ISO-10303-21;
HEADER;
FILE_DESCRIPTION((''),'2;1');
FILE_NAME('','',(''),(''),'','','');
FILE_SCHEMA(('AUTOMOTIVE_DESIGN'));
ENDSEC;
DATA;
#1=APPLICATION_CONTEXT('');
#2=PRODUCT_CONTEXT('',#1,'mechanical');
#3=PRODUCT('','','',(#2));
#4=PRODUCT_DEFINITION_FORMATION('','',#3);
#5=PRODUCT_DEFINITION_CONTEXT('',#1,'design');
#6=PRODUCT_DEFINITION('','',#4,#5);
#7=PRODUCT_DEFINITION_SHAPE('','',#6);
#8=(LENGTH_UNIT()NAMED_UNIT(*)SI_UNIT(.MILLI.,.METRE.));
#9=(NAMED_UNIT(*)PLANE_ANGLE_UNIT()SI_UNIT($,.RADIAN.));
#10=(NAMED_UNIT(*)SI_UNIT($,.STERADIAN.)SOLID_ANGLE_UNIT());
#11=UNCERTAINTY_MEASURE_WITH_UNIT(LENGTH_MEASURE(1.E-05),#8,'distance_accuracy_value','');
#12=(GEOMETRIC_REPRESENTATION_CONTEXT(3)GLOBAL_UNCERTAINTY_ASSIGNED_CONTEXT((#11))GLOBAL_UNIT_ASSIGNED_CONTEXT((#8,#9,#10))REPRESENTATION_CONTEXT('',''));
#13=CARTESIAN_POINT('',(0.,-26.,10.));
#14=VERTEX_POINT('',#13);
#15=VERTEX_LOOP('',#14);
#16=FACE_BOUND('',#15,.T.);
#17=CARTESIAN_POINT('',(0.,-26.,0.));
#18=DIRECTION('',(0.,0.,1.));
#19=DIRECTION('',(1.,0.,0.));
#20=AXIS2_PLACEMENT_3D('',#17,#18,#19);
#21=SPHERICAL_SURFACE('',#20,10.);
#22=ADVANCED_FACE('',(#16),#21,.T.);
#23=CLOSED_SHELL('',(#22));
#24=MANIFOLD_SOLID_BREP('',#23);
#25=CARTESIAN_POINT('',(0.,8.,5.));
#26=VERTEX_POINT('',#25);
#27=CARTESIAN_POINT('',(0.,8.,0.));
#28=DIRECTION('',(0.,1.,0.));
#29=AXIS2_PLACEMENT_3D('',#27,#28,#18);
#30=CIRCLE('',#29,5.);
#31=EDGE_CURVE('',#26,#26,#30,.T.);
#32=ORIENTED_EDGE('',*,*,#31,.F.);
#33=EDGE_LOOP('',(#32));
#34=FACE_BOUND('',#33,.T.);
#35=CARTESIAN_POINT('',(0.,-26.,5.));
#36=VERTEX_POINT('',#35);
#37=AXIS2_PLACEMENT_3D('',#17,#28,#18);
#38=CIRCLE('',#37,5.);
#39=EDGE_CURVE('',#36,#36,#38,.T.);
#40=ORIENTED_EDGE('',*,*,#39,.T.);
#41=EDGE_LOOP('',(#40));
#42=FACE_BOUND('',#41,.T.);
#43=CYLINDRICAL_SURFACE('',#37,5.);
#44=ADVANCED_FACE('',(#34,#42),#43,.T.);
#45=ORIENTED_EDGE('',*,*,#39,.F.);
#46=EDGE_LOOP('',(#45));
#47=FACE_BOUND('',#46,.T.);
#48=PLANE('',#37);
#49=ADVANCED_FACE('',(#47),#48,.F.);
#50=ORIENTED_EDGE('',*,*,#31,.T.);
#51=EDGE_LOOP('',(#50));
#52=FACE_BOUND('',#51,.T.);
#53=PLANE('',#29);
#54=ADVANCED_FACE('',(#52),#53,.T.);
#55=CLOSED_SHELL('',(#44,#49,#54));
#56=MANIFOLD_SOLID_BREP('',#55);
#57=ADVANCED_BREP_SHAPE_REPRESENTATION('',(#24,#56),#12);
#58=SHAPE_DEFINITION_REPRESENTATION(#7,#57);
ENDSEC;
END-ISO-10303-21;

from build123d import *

# Parameters (mm, degrees)
BOSS_EXTRUDE1_DEPTH = 8
SKETCH2_R           = 5
CUT_EXTRUDE1_DEPTH  = 107
CIRPATTERN1_COUNT   = 3
SKETCH6_R           = 5
BOSS_EXTRUDE3_DEPTH = 34
CUT_EXTRUDE2_START  = -10
SKETCH9_R           = 54.22089026
SKETCH9_R_2         = 5
CUT_EXTRUDE2_DEPTH  = 10


with BuildPart() as part:
    # Sketch1 → Boss-Extrude1 (new body)
    with BuildSketch(Plane(origin=(0, 0, 0), x_dir=(1, 0, 0), z_dir=(0, 1, 0))):
        Polygon((-11.547005384, 40), (-40.414518843, -10), (-28.867513459, -30), (28.867513459, -30), (40.414518843, -10), (11.547005384, 40), align=None)
    extrude(amount=BOSS_EXTRUDE1_DEPTH)

    # Sketch2 → Cut-Extrude1 (cut)
    with BuildSketch(Plane(origin=(0, 8, 0), x_dir=(1, 0, 0), z_dir=(0, 1, 0))):
        with Locations(Location((0, 0, 0), (0, 0, 270))):
            Circle(SKETCH2_R)
    extrude(amount=-CUT_EXTRUDE1_DEPTH, mode=Mode.SUBTRACT)


with BuildPart() as cirpattern1_1:
    # CirPattern1: pattern copy
    add(part.part.rotate(Axis((0, 0, 0), (0, 1, 0)), 1 * 360 / CIRPATTERN1_COUNT))


with BuildPart() as cirpattern1_2:
    # CirPattern1: pattern copy
    add(part.part.rotate(Axis((0, 0, 0), (0, 1, 0)), 2 * 360 / CIRPATTERN1_COUNT))


with BuildPart() as part_1:
    add(part.part)

    add(cirpattern1_1.part)  # Boss-Extrude3 merges CirPattern1_1

    add(cirpattern1_2.part)  # Boss-Extrude3 merges CirPattern1_2
    # Sketch6 → Boss-Extrude3 (add)
    with BuildSketch(Plane(origin=(0, 8, 0), x_dir=(1, 0, 0), z_dir=(0, 1, 0))):
        with Locations(Location((0, 0, 0), (0, 0, 270))):
            Circle(SKETCH6_R)
    extrude(amount=-BOSS_EXTRUDE3_DEPTH)

    # Sketch9 → Cut-Extrude2 (cut)
    with BuildSketch(Plane.XZ.offset(CUT_EXTRUDE2_START)):
        Circle(SKETCH9_R)
        with Locations(Location((0, 0, 0), (0, 0, 90))):
            Circle(SKETCH9_R_2, mode=Mode.SUBTRACT)
    extrude(amount=CUT_EXTRUDE2_DEPTH, mode=Mode.SUBTRACT)


with BuildPart() as body_2:
    # Sketch8 → Revolve1 (revolve)
    with BuildSketch(Plane(origin=(0, -26, 0), x_dir=(-1, 0, 0), z_dir=(0, -1, 0))):
        with BuildLine():
            Line((0, 10), (0, -10))
            ThreePointArc((0, -10), (10, 0), (0, 10))
        make_face()
    revolve(axis=Axis((0, -26, 0), (0, 0, -1)))


solid = Compound([part_1.part, body_2.part])
